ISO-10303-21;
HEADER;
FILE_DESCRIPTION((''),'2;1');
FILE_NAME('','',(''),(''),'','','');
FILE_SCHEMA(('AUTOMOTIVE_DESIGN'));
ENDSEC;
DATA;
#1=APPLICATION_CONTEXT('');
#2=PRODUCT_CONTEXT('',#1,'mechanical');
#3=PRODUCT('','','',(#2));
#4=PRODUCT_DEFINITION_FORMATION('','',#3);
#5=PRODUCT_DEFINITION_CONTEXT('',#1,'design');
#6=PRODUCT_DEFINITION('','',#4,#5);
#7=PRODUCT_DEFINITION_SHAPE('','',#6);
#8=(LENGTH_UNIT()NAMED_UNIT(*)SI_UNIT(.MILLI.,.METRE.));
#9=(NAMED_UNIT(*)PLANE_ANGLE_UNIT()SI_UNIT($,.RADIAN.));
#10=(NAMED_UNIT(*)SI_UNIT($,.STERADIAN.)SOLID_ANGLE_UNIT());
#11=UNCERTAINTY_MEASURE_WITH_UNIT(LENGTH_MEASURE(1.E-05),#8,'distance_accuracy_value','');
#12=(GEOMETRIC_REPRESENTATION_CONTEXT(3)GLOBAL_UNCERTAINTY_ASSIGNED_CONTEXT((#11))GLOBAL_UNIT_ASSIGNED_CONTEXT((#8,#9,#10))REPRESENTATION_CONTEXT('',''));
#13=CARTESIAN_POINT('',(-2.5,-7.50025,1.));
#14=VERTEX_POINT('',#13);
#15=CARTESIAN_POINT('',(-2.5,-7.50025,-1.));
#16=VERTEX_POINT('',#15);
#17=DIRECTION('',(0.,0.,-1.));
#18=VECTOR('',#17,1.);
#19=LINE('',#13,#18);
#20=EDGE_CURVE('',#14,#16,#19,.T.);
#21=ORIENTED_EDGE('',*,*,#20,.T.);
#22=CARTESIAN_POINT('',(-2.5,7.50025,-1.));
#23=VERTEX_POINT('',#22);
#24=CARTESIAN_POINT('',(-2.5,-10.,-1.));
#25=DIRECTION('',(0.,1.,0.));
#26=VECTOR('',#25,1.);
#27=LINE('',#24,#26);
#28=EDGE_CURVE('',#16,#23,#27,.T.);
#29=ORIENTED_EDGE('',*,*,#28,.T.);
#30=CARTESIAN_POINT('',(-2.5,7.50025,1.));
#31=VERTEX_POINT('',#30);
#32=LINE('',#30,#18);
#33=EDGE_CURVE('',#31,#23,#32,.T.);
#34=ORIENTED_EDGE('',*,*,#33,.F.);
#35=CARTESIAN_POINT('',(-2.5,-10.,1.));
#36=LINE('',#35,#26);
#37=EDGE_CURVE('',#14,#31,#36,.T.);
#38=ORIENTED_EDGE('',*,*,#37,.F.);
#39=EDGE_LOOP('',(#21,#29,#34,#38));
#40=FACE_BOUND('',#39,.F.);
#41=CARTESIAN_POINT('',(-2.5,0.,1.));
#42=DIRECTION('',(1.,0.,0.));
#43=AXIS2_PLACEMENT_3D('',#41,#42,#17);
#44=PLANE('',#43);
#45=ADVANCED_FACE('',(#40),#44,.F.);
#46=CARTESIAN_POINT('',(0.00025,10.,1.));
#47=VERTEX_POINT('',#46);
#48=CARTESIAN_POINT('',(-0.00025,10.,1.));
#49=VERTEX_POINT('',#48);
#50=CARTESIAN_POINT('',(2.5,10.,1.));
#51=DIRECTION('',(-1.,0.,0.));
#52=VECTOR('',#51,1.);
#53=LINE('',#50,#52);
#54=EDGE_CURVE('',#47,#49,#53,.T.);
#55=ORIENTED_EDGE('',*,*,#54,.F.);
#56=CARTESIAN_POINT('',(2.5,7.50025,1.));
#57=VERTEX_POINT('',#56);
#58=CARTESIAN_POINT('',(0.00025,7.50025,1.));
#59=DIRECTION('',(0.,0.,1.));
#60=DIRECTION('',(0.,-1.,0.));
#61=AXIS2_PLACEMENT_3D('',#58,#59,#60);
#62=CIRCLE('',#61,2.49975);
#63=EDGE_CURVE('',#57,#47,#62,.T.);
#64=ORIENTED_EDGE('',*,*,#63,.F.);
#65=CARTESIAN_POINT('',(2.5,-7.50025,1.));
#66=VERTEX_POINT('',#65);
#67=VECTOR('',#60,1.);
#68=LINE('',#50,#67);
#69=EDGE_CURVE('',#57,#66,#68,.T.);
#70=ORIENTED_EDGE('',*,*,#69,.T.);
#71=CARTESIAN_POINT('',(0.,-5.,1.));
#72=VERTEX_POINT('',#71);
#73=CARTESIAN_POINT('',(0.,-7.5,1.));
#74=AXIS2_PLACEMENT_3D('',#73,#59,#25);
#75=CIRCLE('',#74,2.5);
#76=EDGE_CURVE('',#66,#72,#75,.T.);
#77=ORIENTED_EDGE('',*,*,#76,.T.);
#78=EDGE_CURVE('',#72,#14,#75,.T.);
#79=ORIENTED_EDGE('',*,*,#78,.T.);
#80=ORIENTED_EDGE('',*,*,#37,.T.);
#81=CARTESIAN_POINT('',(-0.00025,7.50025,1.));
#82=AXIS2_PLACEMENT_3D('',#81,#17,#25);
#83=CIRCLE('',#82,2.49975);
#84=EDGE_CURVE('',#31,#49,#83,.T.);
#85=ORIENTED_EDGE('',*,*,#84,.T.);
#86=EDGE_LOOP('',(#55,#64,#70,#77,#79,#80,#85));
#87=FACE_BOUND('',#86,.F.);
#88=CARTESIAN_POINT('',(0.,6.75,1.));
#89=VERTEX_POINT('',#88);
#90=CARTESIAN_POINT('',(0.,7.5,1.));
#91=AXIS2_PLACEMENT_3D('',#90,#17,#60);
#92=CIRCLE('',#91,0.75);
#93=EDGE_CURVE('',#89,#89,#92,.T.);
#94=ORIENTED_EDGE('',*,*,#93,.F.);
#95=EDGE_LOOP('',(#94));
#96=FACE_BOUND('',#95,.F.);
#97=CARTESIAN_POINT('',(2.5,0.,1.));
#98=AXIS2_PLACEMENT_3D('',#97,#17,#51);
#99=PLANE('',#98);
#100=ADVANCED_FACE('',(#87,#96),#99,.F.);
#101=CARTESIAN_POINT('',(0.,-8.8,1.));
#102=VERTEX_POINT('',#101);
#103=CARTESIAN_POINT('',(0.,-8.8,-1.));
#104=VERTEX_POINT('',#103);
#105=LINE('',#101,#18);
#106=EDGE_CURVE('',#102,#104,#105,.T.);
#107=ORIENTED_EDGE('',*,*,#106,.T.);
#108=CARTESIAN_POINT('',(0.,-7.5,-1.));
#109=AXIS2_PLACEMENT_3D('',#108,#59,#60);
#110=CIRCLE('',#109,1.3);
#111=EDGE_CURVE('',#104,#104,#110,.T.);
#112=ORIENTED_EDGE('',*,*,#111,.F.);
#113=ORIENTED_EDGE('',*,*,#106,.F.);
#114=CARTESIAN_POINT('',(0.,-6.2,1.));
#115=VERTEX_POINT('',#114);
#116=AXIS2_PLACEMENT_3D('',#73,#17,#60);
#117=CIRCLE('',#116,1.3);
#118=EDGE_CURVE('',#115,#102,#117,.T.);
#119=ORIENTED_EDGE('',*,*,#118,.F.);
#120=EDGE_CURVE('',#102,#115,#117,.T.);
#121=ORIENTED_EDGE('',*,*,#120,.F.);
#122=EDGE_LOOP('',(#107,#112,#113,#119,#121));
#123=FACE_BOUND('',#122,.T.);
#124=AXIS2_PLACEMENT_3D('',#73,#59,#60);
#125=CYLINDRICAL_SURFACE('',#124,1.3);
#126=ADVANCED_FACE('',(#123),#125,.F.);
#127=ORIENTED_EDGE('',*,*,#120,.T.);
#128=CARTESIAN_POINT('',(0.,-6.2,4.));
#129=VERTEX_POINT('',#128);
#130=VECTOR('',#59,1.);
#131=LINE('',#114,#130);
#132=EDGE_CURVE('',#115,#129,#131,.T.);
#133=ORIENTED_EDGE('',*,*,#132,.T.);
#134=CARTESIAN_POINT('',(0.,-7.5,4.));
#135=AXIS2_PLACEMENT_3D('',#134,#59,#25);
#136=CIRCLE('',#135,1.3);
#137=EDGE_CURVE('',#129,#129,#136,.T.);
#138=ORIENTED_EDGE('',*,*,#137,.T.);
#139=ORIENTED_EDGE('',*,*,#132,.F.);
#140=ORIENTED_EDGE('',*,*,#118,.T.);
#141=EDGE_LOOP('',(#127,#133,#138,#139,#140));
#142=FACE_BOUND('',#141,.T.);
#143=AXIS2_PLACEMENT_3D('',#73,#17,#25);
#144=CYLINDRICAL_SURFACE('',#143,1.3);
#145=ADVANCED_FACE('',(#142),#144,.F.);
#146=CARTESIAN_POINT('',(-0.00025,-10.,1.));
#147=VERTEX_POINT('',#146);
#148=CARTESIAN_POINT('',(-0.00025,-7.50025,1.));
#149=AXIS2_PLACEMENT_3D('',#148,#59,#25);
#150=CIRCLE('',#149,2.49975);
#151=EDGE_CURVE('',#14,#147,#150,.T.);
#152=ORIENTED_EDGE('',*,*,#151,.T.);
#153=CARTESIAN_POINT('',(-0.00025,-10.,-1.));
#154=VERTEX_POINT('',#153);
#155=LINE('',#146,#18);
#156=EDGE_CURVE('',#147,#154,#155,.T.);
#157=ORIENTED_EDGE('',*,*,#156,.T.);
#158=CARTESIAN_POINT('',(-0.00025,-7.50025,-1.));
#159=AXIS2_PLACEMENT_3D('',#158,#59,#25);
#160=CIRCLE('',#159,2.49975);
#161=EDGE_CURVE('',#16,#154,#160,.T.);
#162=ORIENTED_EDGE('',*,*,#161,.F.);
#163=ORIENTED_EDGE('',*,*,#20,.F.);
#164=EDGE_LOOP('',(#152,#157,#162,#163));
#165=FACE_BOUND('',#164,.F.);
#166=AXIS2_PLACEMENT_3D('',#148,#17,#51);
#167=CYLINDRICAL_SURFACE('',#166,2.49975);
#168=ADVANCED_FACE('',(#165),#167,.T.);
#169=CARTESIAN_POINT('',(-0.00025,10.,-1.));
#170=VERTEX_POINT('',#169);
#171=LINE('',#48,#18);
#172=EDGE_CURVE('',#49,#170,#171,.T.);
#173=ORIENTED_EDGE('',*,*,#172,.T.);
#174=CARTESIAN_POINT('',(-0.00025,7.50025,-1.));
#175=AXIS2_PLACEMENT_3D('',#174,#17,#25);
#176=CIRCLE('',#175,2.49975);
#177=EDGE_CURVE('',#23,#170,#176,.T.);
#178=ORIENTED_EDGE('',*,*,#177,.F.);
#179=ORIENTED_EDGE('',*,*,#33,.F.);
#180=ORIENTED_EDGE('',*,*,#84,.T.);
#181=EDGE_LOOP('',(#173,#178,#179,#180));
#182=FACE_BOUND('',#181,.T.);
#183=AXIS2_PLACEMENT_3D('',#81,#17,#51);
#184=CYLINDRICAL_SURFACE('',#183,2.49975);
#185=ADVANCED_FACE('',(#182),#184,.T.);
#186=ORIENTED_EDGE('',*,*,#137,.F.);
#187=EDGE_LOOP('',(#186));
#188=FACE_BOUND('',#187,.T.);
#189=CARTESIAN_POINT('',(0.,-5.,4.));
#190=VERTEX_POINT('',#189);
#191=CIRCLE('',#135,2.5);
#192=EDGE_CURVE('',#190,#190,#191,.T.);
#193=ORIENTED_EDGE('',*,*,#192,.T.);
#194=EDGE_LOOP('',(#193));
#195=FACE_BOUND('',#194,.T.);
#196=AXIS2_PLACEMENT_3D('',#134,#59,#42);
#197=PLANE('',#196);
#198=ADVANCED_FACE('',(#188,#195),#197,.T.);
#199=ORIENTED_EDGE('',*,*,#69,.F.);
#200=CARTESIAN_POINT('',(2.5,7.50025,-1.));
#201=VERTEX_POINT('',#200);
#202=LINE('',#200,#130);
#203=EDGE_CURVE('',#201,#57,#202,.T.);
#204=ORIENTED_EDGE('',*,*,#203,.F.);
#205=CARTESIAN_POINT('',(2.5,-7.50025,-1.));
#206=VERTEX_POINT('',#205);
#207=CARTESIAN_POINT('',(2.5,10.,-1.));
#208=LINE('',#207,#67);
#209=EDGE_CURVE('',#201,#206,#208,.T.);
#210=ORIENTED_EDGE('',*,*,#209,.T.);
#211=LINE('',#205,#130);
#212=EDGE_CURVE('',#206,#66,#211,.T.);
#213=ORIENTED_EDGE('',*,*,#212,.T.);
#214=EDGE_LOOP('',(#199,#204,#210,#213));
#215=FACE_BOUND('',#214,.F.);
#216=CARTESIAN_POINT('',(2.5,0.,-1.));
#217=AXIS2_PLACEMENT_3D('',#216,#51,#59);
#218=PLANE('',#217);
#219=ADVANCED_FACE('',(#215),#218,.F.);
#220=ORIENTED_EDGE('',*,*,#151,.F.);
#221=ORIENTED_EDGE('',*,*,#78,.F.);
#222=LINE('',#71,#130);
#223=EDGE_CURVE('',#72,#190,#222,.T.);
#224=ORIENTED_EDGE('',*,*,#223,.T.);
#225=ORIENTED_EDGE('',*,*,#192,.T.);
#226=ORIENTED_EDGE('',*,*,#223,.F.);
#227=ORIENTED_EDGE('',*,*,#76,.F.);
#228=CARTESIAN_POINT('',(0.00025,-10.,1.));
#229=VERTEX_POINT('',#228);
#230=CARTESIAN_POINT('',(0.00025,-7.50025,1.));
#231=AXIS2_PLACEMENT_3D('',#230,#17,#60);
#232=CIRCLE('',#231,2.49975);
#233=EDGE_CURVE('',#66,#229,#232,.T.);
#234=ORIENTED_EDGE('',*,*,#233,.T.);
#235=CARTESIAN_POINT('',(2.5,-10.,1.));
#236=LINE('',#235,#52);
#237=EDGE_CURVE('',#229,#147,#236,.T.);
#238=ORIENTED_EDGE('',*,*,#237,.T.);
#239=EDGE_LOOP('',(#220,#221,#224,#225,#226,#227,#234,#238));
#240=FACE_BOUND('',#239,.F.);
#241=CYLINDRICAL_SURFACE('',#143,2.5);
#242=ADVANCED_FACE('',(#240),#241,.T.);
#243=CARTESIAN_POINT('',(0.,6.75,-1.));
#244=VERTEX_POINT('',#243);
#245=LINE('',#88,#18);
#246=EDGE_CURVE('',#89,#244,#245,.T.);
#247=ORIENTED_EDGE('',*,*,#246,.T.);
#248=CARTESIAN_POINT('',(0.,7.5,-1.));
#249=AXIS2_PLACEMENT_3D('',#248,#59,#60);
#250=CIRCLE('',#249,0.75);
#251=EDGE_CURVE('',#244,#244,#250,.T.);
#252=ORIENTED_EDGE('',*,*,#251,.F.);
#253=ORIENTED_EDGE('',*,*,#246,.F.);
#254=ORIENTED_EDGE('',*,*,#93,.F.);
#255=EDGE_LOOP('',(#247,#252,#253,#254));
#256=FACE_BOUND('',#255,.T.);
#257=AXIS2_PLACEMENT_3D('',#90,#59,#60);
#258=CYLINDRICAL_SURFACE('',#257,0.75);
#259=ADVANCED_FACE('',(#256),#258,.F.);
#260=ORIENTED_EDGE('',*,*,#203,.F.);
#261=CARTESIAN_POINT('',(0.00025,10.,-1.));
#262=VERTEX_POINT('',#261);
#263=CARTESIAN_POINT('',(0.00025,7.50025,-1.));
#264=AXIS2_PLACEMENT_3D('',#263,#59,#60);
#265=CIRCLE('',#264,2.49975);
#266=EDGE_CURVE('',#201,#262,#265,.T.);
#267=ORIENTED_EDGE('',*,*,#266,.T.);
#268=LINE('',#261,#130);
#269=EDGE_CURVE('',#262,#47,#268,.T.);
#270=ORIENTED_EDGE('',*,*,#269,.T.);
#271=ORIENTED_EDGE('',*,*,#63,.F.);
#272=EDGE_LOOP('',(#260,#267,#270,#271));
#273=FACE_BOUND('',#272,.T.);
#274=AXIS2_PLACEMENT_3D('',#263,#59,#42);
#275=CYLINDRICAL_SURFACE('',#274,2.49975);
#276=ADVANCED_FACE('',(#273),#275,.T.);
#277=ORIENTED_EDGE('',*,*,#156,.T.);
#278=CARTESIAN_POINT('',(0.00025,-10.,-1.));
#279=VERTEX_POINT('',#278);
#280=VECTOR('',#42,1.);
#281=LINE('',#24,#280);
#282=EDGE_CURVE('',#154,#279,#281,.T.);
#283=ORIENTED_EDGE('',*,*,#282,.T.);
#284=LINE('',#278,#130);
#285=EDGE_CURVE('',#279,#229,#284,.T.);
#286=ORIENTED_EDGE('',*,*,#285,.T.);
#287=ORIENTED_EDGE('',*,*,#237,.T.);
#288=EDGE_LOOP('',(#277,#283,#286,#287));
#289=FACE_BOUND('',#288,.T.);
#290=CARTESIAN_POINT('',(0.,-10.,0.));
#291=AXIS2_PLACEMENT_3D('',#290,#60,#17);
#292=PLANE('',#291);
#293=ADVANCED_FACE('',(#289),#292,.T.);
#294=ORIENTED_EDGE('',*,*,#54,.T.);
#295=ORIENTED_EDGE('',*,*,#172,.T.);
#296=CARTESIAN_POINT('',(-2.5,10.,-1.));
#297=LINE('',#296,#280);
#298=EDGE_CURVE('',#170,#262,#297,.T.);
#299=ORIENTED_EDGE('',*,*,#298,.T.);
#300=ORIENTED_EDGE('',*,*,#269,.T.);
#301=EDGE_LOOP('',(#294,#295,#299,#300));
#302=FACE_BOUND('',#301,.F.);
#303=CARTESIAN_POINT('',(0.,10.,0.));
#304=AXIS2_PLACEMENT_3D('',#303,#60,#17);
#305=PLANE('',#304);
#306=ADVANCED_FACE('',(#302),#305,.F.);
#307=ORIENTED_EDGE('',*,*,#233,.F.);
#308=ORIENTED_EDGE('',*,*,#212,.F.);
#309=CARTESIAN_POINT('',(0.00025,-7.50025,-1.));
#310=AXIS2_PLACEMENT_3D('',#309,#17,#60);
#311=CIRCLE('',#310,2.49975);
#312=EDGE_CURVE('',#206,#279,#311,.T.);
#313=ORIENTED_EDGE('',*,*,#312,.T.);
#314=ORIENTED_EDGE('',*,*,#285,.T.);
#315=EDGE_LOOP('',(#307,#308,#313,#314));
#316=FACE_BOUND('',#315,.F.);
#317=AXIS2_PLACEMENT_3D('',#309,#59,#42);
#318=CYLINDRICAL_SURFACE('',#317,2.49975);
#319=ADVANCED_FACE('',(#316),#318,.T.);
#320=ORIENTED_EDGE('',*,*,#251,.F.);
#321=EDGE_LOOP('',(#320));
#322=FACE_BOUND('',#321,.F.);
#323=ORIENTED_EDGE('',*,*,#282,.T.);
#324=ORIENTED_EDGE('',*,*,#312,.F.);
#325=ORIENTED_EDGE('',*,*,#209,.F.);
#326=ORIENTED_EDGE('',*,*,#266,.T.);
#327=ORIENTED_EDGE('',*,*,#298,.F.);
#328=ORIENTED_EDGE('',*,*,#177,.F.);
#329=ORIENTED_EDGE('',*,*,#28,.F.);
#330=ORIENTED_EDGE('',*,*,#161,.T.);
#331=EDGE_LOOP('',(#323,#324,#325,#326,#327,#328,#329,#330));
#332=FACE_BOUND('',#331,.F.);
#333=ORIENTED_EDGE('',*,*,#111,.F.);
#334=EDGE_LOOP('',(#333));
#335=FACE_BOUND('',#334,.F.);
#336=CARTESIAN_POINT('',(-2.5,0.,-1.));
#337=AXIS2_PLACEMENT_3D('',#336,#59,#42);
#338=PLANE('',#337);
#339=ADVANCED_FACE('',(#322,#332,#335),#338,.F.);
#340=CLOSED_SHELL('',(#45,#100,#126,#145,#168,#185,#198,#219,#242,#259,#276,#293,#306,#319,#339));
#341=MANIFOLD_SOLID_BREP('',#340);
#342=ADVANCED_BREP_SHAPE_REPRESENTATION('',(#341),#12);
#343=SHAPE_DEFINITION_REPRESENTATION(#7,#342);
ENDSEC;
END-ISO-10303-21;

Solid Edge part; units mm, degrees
sketch "Sketch1" plane through (0, 0, 0) normal (0, -1, 0) x (1, 0, 0)
  line L0 (-2.5, -1) -> (2.5, -1)
  line L1 (2.5, -1) -> (2.5, 1)
  line L2 (2.5, 1) -> (-2.5, 1)
  line L3 (-2.5, 1) -> (-2.5, -1)
extrude "Protrusion1" add sketch "Sketch1" along normal mid plane 20
fillet "Round_2" radius 2.5 4 edges at (-2.5, -10, 0) (2.5, -10, 0) (2.5, 10, 0) (-2.5, 10, 0)
hole "Hole_2" at (0, -7.5, 1) direction (0, 0, -1) diameter 2.6 end through all
hole "Hole_4" at (0, 7.5, 1) direction (0, 0, -1) diameter 1.5 end through all
sketch "Sketch2" plane through (0, 0, 1) normal (0, 0, 1) x (0, 1, 0)
  circle A0 centre (-7.5, 0) radius 2.5
  circle A1 centre (-7.5, 0) radius 1.3
extrude "ExtrudedProtrusion_2" add sketch "Sketch2" along normal blind 3
properties material "ABS Plastic, high impact"
